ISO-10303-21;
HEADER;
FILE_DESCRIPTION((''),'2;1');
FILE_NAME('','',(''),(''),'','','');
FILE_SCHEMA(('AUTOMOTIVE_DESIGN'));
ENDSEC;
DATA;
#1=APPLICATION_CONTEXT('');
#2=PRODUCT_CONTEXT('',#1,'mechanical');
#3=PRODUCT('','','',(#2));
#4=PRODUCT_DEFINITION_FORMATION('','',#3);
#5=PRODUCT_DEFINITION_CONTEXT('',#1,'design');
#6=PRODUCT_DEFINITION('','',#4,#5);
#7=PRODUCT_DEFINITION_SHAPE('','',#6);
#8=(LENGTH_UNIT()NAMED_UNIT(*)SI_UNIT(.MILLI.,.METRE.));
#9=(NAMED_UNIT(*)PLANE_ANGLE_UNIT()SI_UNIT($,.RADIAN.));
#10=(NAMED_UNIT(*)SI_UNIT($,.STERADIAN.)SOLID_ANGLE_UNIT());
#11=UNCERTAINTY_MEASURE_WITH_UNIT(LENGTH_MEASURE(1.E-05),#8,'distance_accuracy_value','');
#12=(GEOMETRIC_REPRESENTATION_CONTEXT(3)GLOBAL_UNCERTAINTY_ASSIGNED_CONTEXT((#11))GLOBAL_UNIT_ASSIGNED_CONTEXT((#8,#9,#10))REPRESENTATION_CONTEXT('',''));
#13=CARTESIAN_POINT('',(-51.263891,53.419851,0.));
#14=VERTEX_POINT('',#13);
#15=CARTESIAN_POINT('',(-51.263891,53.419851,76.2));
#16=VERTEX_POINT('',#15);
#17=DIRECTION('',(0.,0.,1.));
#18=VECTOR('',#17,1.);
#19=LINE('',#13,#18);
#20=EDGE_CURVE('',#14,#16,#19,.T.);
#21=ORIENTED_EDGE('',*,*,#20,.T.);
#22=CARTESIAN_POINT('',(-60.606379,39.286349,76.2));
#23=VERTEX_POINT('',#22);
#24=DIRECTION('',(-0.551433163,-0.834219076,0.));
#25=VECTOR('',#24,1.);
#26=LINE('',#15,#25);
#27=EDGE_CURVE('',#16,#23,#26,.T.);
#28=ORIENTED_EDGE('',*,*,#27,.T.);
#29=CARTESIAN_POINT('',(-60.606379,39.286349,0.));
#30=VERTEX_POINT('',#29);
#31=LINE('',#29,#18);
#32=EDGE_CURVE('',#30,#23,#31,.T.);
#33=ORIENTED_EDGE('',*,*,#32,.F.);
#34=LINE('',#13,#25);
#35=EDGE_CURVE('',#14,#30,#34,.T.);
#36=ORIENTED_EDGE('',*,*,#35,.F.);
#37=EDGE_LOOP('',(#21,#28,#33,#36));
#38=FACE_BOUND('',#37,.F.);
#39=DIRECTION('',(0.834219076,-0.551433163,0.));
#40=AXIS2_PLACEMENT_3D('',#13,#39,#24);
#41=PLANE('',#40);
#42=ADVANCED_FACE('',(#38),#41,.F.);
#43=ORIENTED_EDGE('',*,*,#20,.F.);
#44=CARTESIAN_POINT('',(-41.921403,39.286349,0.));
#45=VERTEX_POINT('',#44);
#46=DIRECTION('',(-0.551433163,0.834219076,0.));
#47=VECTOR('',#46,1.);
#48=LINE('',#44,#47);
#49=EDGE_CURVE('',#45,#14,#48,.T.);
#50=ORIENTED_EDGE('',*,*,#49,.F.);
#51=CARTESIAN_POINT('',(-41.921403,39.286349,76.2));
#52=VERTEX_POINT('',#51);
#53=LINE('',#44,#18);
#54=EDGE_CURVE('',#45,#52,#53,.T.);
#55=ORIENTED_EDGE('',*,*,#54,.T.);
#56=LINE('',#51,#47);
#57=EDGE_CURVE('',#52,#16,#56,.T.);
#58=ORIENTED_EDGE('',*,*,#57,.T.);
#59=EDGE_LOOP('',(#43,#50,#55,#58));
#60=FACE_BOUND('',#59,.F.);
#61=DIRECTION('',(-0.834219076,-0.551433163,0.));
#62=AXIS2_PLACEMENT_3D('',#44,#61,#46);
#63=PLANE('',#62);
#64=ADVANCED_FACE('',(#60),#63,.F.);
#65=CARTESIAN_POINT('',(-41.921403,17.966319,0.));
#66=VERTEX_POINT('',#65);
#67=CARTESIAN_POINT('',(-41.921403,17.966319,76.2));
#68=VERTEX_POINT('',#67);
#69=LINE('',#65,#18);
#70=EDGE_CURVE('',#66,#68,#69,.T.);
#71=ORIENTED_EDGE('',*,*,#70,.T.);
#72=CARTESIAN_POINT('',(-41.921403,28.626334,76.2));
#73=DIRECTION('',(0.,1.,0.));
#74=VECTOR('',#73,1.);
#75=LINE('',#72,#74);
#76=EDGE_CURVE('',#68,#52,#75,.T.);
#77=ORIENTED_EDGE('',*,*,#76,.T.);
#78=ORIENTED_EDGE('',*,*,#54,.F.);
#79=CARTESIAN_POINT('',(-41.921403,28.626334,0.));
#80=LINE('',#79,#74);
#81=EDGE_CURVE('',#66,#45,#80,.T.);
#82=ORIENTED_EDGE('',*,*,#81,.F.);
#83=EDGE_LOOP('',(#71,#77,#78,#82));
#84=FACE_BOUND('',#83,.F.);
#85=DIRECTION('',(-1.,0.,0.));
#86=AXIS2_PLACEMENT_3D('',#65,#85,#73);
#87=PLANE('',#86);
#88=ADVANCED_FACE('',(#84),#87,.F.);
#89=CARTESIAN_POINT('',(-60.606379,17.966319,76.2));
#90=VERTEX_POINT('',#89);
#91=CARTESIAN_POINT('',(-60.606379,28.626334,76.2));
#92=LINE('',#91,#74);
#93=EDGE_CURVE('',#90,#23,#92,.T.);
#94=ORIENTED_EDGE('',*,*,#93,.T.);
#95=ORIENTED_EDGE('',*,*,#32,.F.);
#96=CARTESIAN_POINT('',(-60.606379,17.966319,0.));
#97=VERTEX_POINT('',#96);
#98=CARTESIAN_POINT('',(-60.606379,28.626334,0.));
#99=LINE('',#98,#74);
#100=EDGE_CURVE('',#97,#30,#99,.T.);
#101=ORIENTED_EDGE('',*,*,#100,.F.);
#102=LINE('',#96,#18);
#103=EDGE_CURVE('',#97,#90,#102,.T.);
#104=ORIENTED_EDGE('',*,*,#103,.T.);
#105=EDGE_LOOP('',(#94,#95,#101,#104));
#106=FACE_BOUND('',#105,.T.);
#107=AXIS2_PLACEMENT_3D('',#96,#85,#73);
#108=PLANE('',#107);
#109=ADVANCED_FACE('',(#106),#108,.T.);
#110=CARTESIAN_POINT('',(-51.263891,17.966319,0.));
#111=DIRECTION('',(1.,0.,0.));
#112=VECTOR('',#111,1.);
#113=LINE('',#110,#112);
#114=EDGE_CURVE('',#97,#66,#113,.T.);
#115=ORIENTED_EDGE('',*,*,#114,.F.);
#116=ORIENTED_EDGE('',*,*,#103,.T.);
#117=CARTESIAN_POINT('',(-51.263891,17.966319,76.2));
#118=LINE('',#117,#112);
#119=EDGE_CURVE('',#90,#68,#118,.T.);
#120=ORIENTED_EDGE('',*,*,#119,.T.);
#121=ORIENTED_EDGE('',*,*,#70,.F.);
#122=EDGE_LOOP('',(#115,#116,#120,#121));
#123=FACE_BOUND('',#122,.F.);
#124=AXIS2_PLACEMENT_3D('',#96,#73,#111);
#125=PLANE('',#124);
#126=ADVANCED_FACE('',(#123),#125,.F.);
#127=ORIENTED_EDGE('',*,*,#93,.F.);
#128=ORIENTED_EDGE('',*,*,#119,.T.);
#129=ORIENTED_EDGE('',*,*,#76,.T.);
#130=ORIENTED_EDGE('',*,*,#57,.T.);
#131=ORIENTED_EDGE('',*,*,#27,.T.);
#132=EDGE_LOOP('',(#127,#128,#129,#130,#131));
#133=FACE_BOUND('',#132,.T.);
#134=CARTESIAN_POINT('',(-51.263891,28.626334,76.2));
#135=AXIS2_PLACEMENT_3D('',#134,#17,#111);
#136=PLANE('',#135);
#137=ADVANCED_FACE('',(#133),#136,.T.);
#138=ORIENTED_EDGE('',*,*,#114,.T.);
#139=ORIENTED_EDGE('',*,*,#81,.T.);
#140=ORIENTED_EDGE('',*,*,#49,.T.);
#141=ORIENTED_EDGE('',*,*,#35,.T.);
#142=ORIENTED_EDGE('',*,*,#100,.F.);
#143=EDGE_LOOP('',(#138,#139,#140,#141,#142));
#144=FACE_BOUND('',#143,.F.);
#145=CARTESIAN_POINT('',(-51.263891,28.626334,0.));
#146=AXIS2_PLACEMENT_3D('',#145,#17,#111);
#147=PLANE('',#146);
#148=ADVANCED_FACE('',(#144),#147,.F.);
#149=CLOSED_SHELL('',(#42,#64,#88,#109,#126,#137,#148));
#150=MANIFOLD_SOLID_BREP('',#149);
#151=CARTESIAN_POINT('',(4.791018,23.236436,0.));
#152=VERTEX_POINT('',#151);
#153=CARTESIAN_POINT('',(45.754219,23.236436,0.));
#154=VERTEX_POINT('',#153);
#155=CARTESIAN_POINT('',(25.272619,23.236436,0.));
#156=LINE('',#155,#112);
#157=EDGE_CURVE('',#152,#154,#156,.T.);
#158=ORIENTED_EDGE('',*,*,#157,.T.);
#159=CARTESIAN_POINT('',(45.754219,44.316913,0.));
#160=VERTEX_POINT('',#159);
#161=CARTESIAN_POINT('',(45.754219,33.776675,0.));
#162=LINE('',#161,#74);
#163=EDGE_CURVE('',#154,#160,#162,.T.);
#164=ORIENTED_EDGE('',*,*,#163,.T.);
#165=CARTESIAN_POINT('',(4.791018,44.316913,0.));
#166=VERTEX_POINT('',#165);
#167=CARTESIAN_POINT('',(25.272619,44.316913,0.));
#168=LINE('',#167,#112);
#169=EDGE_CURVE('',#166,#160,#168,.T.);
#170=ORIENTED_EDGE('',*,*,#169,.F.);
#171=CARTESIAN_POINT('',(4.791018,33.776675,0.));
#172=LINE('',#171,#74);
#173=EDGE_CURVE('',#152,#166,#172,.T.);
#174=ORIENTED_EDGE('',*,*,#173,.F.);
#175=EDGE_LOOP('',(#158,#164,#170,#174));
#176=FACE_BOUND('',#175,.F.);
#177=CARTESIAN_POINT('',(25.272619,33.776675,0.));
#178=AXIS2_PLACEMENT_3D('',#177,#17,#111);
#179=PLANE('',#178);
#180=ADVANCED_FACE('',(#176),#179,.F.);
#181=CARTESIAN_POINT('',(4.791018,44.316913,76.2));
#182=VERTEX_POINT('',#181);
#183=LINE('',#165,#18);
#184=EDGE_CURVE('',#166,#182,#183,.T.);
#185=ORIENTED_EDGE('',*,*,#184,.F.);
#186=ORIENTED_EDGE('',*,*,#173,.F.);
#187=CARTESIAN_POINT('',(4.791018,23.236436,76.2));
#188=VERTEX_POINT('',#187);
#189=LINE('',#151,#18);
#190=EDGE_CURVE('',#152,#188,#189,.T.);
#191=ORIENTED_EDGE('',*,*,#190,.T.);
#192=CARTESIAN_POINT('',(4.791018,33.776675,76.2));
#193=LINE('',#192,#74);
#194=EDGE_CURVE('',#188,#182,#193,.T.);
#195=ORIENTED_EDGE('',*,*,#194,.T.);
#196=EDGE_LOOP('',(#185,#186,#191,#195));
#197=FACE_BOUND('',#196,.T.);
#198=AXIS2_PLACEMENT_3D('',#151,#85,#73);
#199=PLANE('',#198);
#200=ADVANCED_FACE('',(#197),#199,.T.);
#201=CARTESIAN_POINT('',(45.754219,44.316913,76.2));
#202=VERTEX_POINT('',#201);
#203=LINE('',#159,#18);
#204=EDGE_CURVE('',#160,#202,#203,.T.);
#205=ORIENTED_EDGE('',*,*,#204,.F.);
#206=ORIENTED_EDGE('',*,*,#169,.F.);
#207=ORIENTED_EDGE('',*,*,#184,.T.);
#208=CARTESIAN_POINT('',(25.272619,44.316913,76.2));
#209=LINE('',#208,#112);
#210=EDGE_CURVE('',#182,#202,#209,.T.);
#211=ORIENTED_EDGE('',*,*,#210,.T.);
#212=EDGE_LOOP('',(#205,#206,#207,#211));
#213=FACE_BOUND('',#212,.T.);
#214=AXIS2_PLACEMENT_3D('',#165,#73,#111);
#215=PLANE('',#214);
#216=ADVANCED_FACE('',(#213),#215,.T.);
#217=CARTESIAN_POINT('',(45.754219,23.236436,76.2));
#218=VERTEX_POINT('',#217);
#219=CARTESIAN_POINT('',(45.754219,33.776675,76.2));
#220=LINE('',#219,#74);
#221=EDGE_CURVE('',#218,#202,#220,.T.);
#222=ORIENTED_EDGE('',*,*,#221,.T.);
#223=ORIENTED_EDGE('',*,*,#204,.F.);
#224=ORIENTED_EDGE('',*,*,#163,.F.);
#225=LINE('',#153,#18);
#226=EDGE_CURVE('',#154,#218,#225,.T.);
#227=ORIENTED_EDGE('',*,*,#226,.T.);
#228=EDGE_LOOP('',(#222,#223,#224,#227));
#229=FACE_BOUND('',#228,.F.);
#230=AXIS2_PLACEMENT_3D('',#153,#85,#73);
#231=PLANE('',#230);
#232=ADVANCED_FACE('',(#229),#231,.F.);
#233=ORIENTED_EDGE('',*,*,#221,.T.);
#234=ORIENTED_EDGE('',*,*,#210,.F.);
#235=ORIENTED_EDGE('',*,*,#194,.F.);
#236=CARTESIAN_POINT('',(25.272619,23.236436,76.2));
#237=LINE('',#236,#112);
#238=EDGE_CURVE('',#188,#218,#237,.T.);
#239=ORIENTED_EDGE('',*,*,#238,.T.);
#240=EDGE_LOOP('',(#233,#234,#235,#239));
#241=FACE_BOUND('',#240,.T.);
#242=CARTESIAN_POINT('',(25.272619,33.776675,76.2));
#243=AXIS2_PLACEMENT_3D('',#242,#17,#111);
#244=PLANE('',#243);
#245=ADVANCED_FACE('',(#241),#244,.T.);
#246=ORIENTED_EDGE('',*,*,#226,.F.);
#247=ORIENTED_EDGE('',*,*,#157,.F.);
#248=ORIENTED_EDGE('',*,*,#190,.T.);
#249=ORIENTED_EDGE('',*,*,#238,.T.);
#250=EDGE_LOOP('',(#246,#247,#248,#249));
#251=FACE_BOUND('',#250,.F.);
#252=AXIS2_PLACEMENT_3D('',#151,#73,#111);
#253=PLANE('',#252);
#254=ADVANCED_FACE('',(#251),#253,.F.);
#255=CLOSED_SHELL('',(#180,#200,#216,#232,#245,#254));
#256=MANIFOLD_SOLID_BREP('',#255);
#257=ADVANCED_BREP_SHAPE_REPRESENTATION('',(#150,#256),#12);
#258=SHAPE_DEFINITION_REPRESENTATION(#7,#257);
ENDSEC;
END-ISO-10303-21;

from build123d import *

# Parameters (mm, degrees)
F0_W     = 40.963201
F0_H     = 21.080477
F1_DEPTH = 76.2
F2_W     = 18.684976
F2_H     = 21.32003
F3_DEPTH = 76.2


with BuildPart() as f1:
    # F0 (on Top) → F1 (new body)
    with BuildSketch(Plane.XY):
        with Locations((25.272619, 33.776675)):
            Rectangle(F0_W, F0_H)
    extrude(amount=F1_DEPTH)


with BuildPart() as f3:
    # F2 (on Top) → F3 (new body)
    with BuildSketch(Plane.XY):
        with Locations((-51.263891, 28.626334)):
            Rectangle(F2_W, F2_H)
        Polygon((-51.263891, 53.419851), (-60.606379, 39.286349), (-41.921403, 39.286349), align=None)
    extrude(amount=F3_DEPTH)


solid = Compound([f1.part, f3.part])
